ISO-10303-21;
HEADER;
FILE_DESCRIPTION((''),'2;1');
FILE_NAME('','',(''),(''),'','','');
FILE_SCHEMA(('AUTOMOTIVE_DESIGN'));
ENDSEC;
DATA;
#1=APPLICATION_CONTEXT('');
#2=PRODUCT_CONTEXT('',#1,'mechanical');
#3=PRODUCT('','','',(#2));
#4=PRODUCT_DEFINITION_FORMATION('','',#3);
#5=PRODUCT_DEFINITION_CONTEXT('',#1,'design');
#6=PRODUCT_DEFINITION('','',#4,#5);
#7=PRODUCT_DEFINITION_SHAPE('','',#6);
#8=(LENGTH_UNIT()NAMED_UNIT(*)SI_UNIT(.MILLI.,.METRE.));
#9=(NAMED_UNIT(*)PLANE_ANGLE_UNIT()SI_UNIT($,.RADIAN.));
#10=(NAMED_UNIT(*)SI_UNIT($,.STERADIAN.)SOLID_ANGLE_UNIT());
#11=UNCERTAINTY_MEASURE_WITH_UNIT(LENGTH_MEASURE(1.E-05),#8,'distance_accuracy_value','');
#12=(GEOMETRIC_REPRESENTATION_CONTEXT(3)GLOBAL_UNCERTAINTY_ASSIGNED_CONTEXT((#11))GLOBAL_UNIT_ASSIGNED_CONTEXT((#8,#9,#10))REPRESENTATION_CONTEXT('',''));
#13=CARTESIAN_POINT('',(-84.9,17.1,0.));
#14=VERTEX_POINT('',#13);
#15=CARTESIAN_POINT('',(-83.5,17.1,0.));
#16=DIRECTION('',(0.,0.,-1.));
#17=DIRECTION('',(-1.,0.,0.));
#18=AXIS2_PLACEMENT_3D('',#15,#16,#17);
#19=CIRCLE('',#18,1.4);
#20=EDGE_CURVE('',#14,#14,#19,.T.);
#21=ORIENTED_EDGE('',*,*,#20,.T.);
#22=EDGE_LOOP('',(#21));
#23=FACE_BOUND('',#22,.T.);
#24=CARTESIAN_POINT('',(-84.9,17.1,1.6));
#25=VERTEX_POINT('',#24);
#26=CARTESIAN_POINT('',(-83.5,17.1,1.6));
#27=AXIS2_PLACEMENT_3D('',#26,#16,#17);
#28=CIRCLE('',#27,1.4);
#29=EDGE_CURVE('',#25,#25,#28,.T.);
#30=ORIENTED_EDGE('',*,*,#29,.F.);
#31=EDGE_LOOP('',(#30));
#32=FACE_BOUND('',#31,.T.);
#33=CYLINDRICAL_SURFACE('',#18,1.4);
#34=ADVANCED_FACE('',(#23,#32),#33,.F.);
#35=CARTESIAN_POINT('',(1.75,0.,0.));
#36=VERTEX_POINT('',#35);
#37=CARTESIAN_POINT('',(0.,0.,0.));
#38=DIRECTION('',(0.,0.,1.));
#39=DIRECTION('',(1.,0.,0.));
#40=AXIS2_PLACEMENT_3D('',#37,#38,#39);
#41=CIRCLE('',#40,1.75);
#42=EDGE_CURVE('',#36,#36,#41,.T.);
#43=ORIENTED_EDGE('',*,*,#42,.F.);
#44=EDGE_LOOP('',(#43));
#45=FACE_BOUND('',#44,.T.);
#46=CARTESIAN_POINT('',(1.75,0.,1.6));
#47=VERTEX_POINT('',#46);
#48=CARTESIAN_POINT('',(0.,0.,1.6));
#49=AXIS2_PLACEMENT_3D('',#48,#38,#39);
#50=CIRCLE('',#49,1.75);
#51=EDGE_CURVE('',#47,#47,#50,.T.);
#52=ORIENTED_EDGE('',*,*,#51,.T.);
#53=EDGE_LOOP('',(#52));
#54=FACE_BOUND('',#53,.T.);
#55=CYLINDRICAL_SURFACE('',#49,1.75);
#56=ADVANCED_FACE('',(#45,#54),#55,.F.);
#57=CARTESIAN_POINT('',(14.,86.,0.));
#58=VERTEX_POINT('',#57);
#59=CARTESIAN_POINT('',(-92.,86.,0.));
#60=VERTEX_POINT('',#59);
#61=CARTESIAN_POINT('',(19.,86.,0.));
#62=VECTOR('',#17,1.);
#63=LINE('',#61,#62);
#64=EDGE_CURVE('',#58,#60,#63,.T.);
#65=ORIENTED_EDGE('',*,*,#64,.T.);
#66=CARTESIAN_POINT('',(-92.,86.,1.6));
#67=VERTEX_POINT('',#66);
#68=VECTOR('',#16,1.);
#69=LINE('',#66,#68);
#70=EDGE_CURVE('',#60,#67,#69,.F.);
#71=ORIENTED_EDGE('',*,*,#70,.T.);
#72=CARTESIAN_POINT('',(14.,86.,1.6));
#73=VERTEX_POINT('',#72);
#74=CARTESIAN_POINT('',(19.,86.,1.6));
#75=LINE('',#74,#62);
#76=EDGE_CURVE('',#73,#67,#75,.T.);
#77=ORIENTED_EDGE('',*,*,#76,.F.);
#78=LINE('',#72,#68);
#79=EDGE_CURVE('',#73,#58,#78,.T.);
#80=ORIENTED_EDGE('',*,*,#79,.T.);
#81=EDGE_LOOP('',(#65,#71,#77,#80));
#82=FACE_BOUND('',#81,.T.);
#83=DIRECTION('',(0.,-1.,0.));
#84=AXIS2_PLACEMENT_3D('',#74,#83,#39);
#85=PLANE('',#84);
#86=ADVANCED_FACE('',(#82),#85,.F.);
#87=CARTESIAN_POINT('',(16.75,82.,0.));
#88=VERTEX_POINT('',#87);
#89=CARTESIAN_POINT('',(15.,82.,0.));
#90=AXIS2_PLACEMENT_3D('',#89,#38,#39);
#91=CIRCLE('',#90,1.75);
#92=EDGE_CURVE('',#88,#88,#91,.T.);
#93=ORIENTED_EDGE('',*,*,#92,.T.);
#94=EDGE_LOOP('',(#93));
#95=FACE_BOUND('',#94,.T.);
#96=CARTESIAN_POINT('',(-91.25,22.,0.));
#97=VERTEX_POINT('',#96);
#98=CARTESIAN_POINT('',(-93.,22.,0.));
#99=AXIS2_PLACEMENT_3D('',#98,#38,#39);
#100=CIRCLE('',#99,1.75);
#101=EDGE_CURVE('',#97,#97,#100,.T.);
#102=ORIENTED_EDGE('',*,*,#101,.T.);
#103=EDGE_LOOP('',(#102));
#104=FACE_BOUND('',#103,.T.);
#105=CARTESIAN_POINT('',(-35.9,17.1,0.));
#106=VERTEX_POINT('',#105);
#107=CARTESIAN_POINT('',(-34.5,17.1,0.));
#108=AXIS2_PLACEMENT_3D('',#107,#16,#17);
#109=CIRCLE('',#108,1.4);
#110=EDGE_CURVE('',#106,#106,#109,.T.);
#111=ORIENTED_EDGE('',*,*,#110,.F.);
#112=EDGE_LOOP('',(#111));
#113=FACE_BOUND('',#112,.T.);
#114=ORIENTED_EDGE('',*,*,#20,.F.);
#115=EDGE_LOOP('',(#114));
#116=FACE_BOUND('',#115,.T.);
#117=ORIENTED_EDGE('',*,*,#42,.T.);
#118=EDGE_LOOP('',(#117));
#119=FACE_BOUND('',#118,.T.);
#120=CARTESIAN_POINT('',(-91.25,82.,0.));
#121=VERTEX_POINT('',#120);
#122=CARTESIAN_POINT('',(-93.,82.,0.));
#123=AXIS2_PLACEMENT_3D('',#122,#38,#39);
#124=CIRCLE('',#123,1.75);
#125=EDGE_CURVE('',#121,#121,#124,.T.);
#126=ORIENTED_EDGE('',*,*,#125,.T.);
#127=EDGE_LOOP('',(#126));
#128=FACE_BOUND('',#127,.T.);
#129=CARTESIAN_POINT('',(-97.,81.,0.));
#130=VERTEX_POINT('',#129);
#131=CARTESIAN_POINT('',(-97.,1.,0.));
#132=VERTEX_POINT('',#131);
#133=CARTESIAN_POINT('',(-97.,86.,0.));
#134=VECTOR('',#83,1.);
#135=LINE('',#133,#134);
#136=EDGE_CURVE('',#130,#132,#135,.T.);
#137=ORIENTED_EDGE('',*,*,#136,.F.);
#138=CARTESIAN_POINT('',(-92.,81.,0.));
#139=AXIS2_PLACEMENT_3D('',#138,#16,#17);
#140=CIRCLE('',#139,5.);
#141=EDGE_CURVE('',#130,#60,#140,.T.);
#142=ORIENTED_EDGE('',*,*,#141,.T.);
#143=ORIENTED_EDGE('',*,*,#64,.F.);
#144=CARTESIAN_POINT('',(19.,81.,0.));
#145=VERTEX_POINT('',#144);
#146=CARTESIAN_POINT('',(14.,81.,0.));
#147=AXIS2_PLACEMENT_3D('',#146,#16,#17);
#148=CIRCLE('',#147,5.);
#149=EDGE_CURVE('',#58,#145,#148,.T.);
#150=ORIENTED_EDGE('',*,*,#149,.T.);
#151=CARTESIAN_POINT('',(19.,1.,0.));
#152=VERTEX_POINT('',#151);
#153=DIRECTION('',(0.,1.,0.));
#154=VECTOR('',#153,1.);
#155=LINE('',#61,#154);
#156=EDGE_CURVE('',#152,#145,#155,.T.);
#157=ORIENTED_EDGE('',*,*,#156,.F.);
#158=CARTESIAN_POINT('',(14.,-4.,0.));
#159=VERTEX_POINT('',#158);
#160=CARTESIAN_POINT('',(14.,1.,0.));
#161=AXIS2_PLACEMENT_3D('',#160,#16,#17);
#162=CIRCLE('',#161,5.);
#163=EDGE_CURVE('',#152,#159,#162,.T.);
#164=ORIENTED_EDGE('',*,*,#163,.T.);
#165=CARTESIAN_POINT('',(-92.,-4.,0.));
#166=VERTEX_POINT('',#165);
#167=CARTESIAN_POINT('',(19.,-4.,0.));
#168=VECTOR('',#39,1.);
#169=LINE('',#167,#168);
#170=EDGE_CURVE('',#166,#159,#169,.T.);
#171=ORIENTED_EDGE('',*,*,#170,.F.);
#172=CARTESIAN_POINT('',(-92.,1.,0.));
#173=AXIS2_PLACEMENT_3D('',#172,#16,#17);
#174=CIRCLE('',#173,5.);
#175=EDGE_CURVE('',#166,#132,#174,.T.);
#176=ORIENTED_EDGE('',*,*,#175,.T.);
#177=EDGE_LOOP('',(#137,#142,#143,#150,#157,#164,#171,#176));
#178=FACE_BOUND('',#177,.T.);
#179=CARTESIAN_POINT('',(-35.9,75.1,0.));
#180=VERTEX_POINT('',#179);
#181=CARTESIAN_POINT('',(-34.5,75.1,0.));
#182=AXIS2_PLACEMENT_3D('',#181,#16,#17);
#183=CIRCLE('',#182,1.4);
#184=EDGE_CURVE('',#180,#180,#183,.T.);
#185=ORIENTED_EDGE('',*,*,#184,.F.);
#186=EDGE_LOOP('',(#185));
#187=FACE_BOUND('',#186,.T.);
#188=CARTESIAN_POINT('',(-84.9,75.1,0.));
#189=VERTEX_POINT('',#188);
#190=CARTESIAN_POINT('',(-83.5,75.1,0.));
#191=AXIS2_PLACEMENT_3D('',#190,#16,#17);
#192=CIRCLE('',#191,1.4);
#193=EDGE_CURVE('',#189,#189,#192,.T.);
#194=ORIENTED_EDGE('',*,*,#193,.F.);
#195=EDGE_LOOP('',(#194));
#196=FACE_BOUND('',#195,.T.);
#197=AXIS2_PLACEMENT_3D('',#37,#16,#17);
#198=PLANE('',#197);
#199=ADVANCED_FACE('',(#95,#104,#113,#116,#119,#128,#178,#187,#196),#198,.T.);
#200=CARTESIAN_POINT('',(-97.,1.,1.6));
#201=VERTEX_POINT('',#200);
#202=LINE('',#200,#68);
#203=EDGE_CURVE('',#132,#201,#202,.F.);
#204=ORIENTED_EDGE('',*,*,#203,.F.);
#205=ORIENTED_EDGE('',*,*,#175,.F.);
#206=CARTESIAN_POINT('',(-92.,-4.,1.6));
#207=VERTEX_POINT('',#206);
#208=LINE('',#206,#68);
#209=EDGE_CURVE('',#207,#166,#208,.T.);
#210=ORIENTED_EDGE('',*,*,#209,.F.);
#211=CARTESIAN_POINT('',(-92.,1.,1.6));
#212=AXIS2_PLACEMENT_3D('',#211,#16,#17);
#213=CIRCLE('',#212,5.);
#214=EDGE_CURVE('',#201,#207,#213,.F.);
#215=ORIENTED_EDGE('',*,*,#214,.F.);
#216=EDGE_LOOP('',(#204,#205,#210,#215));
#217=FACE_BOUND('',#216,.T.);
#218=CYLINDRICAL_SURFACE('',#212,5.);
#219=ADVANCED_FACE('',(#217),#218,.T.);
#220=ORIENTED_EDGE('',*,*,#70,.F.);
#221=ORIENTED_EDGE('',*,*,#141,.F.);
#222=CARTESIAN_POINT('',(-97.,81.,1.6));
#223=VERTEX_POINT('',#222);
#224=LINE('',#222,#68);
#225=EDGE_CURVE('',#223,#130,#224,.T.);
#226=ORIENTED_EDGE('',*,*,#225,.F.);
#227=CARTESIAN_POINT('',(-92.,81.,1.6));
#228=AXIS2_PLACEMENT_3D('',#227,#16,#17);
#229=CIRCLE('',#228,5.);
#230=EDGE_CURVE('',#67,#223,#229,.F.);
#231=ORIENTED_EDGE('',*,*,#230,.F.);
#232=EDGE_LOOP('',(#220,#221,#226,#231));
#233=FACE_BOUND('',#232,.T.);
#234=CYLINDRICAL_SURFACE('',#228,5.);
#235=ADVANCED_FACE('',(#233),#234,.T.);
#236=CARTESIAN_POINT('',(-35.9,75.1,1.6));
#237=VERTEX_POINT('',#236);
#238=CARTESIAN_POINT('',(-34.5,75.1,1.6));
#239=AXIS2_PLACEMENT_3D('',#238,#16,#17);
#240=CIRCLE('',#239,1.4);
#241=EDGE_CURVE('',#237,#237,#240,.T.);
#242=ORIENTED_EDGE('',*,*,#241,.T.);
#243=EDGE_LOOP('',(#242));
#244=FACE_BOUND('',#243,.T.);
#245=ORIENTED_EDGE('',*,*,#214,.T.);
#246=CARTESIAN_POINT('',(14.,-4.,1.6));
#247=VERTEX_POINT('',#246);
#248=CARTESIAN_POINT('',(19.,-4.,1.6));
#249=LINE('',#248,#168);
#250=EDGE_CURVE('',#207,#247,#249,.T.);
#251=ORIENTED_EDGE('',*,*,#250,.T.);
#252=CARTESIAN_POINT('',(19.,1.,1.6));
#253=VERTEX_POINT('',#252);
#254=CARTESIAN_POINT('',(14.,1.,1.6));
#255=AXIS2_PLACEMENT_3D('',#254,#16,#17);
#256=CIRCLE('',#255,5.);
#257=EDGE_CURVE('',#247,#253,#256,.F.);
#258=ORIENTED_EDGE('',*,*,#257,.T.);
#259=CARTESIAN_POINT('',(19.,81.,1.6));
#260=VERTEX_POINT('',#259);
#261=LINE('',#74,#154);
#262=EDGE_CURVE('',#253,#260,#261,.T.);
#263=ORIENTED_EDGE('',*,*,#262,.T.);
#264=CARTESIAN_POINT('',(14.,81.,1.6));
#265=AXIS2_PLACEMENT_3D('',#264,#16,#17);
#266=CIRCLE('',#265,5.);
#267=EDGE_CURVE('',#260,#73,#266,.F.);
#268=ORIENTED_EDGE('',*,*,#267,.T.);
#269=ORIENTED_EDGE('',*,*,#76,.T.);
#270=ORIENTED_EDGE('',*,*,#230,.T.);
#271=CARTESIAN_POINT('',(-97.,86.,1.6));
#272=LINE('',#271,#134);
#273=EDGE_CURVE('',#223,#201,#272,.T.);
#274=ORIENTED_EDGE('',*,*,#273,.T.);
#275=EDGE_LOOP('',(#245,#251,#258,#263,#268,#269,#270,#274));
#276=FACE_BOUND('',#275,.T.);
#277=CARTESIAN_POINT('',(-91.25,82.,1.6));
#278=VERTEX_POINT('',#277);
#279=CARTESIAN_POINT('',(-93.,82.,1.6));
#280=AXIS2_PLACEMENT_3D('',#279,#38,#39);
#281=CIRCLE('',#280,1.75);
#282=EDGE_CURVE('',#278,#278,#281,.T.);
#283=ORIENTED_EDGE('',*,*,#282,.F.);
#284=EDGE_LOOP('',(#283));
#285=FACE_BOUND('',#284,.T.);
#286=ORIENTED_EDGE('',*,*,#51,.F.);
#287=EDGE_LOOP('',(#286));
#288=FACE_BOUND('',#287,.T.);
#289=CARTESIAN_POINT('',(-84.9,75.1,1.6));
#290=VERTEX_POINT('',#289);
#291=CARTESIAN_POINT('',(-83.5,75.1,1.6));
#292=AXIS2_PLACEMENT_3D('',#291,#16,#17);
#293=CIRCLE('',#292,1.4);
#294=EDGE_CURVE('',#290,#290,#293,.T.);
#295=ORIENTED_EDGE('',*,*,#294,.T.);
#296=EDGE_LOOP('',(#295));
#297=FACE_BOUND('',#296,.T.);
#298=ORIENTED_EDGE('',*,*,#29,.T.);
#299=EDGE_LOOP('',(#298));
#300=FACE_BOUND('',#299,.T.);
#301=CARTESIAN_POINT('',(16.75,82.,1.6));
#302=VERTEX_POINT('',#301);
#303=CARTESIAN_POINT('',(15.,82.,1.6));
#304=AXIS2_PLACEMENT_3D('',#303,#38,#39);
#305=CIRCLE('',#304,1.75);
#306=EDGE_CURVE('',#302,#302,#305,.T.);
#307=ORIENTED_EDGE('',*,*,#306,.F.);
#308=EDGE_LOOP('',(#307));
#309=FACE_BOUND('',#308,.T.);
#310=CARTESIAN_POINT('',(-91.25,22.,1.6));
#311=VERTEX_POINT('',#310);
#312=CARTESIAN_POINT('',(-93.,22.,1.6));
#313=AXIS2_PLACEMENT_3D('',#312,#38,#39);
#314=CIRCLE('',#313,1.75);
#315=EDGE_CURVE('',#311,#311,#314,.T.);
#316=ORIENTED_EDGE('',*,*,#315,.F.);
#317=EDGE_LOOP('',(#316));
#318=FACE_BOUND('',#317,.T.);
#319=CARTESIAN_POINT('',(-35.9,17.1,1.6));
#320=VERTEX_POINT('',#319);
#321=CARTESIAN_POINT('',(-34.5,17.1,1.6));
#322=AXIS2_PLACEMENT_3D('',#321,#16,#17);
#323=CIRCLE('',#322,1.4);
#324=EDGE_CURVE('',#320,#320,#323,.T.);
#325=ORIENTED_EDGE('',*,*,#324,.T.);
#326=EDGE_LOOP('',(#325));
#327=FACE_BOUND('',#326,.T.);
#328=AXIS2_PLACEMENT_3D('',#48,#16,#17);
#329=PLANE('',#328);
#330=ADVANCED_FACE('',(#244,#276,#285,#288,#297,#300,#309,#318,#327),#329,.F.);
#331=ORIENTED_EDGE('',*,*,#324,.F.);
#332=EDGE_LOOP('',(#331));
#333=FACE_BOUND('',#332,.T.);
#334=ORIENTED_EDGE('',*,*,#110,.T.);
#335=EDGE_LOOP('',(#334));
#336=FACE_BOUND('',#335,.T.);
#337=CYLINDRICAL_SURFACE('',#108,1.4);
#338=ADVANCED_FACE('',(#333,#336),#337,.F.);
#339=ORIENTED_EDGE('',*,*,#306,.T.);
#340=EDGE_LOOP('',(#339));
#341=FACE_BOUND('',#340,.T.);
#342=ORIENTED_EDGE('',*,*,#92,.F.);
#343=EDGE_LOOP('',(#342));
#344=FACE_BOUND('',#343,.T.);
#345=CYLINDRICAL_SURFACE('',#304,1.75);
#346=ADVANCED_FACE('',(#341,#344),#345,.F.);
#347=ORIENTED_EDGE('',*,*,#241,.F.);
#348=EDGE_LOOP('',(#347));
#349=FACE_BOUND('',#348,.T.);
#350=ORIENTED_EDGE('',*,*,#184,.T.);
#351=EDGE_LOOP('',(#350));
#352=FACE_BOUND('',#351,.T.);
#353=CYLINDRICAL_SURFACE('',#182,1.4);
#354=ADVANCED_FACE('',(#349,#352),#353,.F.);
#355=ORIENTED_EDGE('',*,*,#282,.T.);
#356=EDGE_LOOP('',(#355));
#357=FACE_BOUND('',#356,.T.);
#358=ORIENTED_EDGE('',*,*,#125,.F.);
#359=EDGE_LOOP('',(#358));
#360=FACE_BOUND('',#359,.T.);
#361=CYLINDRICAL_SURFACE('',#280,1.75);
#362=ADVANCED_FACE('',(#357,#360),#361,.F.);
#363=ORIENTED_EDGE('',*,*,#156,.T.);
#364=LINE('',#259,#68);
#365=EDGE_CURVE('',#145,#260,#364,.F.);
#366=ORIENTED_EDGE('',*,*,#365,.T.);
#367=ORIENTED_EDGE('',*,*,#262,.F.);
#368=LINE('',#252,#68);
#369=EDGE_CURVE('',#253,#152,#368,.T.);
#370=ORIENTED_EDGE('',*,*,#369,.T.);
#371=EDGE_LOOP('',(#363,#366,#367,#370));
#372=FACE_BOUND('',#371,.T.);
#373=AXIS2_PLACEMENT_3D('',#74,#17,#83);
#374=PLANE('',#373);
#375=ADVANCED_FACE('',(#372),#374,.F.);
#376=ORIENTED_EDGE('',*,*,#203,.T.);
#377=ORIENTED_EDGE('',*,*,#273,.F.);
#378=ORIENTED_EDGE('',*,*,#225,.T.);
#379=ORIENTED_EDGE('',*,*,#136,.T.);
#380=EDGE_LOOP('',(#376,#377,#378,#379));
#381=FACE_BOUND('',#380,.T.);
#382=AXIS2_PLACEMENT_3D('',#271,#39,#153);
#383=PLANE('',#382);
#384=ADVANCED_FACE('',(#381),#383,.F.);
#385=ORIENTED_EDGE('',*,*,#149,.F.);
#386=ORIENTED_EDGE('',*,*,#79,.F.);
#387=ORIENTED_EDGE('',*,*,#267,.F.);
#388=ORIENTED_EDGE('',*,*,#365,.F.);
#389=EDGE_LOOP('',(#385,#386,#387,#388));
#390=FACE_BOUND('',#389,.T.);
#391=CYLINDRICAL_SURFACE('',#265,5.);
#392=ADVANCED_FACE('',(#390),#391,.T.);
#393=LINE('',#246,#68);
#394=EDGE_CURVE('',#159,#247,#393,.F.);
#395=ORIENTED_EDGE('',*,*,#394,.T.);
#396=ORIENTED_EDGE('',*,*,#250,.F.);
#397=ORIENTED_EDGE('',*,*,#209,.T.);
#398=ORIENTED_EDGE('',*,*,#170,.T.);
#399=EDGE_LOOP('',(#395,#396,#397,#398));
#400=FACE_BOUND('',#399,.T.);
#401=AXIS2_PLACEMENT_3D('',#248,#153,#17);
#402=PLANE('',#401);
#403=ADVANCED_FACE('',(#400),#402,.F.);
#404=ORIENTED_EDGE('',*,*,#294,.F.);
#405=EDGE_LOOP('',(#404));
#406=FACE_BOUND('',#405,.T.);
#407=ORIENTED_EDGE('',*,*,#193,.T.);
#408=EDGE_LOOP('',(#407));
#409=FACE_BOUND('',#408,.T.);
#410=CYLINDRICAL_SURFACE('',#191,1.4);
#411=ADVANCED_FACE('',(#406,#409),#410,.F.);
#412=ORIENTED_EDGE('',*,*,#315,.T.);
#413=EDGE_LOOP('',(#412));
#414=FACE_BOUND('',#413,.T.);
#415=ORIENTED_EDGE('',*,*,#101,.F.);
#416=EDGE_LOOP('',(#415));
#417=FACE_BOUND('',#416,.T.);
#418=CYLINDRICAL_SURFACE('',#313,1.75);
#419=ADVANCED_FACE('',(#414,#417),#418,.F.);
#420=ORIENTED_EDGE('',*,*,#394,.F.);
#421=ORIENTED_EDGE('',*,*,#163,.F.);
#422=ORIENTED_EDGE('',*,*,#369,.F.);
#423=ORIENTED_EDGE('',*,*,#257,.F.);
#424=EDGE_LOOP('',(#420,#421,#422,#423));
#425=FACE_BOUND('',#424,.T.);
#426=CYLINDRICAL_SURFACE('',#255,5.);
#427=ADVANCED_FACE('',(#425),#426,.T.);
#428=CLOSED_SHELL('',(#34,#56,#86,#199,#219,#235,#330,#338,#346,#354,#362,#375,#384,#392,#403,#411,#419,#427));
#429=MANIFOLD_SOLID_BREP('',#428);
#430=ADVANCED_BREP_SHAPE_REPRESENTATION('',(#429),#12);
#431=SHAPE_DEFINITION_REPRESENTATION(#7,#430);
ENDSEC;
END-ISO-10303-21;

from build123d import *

# Parameters (mm, degrees)
SKETCH1_W                  = 116
SKETCH1_H                  = 90
BOSS_EXTRUDE1_DEPTH        = 1.6
F_3_5_3_5_DIAMETER_HOLE1_D = 3.5
FILLET1_R                  = 5
F_2_8_2_8_DIAMETER_HOLE1_D = 2.8


with BuildPart() as part:
    # Sketch1 → Boss-Extrude1 (new body)
    with BuildSketch(Plane.XY):
        with Locations((-39, 41)):
            Rectangle(SKETCH1_W, SKETCH1_H)
    extrude(amount=BOSS_EXTRUDE1_DEPTH)

    # Ø3.5 (3.5) Diameter Hole1 (through all)
    with Locations(Plane.XY.offset(1.6)):
        with Locations((0, 0), (15, 82), (-93, 82), (-93, 22)):
            Hole(F_3_5_3_5_DIAMETER_HOLE1_D / 2)

    # Fillet1
    fillet1_edges = [part.edges().sort_by_distance(p)[0] for p in [
        (-97, 86, 0.8),
        (19, 86, 0.8),
        (19, -4, 0.8),
        (-97, -4, 0.8),
    ]]
    fillet(fillet1_edges, radius=FILLET1_R)

    # Ø2.8 (2.8) Diameter Hole1 (through all)
    with Locations(Plane(origin=(0, 0, 0), x_dir=(-1, 0, 0), z_dir=(0, 0, -1))):
        with Locations((34.5, 75.1), (83.5, 75.1), (83.5, 17.1), (34.5, 17.1)):
            Hole(F_2_8_2_8_DIAMETER_HOLE1_D / 2)


solid = part.part
